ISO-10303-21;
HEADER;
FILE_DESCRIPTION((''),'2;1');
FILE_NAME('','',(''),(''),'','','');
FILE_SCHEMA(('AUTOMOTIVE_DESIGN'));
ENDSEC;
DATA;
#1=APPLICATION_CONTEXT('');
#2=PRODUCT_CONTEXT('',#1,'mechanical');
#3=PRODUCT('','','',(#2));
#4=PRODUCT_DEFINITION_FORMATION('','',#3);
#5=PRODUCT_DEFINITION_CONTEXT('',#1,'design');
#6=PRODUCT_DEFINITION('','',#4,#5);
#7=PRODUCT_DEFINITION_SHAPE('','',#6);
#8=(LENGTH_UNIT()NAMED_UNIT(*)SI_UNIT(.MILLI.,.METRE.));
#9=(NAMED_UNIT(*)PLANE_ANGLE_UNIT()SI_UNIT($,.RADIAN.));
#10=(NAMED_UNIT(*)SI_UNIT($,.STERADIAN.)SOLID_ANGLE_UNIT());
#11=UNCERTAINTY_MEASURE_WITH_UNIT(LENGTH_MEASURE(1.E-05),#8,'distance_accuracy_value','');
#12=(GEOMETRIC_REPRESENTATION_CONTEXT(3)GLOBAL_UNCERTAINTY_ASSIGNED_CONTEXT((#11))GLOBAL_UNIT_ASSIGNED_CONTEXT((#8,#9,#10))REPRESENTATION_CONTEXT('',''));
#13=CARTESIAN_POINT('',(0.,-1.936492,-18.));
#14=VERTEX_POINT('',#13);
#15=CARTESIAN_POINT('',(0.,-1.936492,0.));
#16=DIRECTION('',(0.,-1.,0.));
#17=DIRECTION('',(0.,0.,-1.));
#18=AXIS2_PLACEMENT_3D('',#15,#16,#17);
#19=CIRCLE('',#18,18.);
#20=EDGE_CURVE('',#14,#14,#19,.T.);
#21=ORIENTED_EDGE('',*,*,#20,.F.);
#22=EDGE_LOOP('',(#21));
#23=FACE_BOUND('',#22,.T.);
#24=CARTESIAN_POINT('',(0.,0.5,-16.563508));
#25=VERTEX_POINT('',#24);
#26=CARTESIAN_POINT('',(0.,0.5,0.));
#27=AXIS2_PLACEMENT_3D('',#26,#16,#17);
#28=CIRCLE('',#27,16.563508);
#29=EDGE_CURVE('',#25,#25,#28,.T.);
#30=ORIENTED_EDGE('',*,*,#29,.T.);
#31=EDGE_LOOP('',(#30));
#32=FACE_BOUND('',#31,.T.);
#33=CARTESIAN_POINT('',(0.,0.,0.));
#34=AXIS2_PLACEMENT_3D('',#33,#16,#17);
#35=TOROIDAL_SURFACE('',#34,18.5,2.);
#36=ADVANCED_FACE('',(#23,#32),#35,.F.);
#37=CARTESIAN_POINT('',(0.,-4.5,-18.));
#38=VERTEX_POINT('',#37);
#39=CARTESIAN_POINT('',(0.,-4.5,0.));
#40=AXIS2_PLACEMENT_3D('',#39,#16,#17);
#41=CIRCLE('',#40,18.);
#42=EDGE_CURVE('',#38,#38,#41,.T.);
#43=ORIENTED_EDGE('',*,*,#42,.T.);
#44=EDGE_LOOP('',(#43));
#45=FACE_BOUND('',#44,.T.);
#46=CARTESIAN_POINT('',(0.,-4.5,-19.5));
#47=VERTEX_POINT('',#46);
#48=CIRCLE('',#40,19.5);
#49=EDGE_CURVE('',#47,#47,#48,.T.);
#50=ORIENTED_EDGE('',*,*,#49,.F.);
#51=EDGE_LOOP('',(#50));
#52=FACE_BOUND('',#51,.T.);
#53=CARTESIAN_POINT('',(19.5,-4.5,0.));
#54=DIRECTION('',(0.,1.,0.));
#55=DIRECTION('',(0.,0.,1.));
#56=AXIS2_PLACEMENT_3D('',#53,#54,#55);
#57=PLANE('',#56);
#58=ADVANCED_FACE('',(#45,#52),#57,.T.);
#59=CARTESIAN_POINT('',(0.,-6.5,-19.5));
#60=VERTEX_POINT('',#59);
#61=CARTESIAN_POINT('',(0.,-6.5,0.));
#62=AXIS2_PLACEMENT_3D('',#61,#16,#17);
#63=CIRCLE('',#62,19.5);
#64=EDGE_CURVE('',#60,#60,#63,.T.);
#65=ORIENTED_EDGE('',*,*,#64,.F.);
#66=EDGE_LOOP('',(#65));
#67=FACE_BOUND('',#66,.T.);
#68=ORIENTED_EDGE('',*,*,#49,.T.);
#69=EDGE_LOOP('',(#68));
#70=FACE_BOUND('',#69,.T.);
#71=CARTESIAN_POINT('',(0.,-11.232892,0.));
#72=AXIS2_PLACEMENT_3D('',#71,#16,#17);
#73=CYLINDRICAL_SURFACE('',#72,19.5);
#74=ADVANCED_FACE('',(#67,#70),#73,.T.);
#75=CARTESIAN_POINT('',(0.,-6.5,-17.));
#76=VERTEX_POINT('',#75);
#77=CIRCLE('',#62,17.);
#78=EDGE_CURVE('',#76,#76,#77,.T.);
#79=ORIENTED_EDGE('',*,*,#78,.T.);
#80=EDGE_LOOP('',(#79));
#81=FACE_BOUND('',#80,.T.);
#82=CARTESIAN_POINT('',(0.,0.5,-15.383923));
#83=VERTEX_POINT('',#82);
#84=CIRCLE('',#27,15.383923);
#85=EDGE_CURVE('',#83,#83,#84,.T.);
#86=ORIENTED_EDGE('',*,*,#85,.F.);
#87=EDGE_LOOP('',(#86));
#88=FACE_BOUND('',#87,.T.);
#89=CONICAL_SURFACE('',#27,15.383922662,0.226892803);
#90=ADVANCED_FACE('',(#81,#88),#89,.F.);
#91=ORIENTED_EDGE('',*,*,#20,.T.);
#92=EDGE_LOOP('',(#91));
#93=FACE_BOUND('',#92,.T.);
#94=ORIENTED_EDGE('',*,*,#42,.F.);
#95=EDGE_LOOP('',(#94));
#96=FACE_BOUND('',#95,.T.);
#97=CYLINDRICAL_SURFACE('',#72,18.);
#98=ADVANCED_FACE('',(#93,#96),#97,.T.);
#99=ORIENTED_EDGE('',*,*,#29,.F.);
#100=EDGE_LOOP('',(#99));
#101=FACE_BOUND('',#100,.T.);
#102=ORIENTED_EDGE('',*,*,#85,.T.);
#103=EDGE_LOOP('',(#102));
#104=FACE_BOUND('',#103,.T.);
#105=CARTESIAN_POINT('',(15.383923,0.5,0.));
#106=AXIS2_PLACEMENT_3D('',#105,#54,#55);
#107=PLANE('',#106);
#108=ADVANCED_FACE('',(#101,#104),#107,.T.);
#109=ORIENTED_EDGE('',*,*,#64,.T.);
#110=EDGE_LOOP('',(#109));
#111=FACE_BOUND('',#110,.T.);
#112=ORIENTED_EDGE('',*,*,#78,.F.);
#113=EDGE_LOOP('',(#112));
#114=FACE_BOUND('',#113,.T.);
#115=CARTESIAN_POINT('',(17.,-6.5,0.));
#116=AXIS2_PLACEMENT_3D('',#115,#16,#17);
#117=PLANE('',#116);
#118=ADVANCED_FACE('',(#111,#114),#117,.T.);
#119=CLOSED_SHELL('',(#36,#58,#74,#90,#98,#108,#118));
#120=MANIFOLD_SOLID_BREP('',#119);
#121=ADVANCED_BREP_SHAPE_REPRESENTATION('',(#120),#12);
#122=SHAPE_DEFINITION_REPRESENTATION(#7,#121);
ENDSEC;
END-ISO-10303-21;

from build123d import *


with BuildPart() as part:
    # Esquisse1 → Révolution1 (revolve)
    with BuildSketch(Plane.XY, mode=Mode.PRIVATE) as r_volution1_sk:
        with BuildLine():
            Line((17, -6.5), (19.5, -6.5))
            Line((19.5, -6.5), (19.5, -4.5))
            Line((19.5, -4.5), (18, -4.5))
            Line((18, -4.5), (18, -1.936491673))
            ThreePointArc((18, -1.936491673), (16.777140216, -1.015753003), (16.563508327, 0.5))
            Line((16.563508327, 0.5), (15.383922662, 0.5))
            Line((15.383922662, 0.5), (17, -6.5))
        make_face()
    revolve(r_volution1_sk.sketch.rotate(Axis((0, -11.232892416, 0), (0, 1, 0)), 90), axis=Axis((0, -11.232892416, 0), (0, 1, 0)))  # turned: the seam where the file's is


solid = part.part
